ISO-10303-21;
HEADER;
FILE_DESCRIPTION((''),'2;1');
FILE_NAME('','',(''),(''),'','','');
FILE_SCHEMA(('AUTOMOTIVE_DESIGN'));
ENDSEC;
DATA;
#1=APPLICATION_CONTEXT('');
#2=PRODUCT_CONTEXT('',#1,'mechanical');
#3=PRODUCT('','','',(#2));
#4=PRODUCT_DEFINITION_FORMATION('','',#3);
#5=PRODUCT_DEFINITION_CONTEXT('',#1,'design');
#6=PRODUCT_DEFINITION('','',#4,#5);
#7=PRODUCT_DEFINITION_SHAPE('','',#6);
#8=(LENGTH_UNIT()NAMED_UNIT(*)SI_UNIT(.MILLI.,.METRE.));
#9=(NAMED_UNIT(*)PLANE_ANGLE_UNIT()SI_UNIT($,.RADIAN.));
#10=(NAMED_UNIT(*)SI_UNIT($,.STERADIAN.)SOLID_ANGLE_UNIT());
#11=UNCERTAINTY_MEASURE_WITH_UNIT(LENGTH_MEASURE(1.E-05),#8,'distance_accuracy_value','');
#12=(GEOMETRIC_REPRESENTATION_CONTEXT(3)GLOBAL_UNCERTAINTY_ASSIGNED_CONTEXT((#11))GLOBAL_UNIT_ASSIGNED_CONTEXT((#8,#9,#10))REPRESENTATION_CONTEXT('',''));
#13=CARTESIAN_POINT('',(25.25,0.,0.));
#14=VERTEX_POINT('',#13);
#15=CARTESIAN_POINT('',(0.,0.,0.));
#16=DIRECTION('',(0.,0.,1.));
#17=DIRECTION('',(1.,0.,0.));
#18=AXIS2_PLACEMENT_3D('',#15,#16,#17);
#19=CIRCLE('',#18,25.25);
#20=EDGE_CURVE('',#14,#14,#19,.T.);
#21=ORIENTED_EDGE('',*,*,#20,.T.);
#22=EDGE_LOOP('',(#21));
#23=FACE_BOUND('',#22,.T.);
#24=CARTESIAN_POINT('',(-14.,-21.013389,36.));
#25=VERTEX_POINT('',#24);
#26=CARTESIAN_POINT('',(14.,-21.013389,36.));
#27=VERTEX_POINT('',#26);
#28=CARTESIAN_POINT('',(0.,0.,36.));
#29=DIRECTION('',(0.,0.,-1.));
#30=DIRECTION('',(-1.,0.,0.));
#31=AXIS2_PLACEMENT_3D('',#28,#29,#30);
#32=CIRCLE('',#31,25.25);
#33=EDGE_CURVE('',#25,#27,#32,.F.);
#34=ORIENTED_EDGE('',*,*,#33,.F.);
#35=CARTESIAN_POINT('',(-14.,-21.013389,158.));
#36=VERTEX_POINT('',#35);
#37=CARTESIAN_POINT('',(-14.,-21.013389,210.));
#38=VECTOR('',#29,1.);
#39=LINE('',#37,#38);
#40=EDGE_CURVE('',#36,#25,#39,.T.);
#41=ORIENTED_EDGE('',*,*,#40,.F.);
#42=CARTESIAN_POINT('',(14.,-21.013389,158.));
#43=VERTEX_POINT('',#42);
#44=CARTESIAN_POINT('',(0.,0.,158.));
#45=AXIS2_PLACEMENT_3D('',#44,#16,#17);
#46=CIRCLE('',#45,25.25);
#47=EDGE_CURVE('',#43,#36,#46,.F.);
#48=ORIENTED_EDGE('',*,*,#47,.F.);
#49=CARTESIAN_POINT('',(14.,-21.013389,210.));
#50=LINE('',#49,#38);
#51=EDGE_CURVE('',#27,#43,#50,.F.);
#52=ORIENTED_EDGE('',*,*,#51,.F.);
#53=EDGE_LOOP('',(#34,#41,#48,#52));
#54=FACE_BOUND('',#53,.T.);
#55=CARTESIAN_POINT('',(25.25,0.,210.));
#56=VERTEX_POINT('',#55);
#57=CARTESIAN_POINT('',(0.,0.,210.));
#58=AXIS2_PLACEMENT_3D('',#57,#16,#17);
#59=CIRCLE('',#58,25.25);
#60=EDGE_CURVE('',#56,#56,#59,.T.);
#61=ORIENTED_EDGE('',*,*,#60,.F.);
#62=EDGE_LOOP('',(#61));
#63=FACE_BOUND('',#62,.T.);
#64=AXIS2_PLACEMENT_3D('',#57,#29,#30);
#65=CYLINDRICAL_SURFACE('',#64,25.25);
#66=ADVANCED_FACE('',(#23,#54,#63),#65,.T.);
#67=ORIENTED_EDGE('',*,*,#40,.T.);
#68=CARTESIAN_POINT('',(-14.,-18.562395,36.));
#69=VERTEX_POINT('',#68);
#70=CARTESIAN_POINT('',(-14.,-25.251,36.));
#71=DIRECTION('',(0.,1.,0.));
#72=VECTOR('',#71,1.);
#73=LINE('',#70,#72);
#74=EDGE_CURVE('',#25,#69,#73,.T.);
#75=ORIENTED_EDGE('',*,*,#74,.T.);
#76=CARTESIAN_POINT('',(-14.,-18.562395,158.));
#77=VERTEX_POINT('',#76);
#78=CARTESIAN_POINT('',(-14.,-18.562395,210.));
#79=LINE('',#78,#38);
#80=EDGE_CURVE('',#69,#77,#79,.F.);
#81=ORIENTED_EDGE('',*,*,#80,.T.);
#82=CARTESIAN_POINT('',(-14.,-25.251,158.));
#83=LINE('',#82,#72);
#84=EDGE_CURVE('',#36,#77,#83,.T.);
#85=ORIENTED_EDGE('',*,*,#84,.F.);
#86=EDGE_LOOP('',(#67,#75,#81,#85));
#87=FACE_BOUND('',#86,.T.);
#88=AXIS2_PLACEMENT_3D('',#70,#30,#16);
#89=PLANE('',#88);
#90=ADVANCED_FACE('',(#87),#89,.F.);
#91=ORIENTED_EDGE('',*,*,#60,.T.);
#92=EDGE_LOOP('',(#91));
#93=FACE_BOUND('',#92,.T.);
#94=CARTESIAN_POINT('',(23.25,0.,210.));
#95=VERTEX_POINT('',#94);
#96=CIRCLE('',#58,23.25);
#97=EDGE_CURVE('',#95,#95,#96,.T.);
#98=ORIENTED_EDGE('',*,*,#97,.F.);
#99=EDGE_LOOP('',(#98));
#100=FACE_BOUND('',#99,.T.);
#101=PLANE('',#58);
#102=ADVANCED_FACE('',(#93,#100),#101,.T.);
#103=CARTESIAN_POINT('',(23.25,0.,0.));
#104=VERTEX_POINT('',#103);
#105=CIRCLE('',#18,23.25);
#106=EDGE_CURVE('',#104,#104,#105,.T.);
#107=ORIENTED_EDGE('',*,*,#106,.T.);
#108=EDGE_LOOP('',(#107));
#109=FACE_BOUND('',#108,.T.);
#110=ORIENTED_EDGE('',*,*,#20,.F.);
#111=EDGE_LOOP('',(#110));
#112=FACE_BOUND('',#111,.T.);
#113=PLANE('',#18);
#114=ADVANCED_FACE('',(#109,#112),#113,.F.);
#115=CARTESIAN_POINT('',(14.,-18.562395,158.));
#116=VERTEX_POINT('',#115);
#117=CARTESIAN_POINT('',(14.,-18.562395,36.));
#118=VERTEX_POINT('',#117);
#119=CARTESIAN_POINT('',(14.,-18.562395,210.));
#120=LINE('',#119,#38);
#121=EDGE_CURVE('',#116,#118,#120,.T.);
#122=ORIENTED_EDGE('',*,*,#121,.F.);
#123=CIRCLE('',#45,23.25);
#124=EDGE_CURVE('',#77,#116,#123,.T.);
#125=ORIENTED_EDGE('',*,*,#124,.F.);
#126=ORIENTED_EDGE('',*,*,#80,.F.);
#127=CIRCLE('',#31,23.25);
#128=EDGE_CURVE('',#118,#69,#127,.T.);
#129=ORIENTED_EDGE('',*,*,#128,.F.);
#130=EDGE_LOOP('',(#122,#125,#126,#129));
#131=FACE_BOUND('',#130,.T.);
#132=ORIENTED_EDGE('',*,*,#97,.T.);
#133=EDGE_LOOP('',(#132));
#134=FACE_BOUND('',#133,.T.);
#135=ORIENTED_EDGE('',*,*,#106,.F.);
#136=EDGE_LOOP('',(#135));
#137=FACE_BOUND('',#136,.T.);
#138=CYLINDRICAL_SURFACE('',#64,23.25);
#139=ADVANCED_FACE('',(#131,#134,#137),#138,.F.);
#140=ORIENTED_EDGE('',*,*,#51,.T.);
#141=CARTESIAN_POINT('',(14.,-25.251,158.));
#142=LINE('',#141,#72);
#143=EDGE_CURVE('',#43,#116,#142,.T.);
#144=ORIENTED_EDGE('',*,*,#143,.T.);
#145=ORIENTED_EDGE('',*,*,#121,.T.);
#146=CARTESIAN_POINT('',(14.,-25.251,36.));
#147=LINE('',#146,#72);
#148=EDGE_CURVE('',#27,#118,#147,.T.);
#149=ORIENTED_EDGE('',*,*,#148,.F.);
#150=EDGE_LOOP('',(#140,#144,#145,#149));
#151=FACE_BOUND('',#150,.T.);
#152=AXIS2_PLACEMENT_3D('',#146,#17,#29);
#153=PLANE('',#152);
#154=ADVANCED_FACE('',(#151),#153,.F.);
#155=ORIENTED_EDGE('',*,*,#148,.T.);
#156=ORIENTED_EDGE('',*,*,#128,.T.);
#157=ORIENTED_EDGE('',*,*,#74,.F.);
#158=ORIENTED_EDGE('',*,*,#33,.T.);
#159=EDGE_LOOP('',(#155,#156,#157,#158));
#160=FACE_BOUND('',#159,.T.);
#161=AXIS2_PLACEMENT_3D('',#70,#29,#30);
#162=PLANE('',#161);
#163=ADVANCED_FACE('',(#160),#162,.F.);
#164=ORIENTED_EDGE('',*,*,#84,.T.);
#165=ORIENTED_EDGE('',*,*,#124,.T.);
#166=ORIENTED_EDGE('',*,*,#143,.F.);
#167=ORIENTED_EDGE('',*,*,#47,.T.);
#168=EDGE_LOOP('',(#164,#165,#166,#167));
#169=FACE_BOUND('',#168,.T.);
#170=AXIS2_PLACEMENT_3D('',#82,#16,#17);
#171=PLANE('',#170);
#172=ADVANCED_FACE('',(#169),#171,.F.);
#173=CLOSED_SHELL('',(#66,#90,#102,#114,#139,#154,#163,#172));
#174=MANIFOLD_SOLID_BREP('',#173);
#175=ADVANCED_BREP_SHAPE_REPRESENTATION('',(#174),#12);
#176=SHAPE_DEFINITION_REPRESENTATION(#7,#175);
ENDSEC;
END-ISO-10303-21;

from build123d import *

# Parameters (mm, degrees)
SKETCH1_R               = 25.25
SKETCH1_R_2             = 23.25
BOSS_EXTRUDE1_DEPTH     = 210
CUT_EXTRUDE1_REACH      = 215.014
CUT_EXTRUDE1_END_RADIUS = 25.25
SKETCH3_W               = 28
SKETCH3_H               = 122


with BuildPart() as part:
    # Sketch1 → Boss-Extrude1 (new body)
    with BuildSketch(Plane.XY):
        Circle(SKETCH1_R)
        Circle(SKETCH1_R_2, mode=Mode.SUBTRACT)
    extrude(amount=BOSS_EXTRUDE1_DEPTH)

    # Cut-Extrude1: up to this cylinder (the profile starts inside it)
    cut_extrude1_end = Plane(origin=(0, 0, 97), z_dir=(0, 0, -1)) * Cylinder(CUT_EXTRUDE1_END_RADIUS, 481.528, mode=Mode.PRIVATE)
    # Sketch3 → Cut-Extrude1 (cut, up to the surface)
    with BuildSketch(Plane(origin=(0, 0, 0), x_dir=(1, 0, 0), z_dir=(0, 1, 0)), mode=Mode.PRIVATE) as cut_extrude1_sk1:
        with Locations((0, -97)):
            Rectangle(SKETCH3_W, SKETCH3_H)
    cut_extrude1_tool1 = extrude(cut_extrude1_sk1.sketch, amount=-CUT_EXTRUDE1_REACH, mode=Mode.PRIVATE) & cut_extrude1_end
    add(cut_extrude1_tool1.solids().sort_by_distance((0, 0, 97))[0], mode=Mode.SUBTRACT)


solid = part.part
